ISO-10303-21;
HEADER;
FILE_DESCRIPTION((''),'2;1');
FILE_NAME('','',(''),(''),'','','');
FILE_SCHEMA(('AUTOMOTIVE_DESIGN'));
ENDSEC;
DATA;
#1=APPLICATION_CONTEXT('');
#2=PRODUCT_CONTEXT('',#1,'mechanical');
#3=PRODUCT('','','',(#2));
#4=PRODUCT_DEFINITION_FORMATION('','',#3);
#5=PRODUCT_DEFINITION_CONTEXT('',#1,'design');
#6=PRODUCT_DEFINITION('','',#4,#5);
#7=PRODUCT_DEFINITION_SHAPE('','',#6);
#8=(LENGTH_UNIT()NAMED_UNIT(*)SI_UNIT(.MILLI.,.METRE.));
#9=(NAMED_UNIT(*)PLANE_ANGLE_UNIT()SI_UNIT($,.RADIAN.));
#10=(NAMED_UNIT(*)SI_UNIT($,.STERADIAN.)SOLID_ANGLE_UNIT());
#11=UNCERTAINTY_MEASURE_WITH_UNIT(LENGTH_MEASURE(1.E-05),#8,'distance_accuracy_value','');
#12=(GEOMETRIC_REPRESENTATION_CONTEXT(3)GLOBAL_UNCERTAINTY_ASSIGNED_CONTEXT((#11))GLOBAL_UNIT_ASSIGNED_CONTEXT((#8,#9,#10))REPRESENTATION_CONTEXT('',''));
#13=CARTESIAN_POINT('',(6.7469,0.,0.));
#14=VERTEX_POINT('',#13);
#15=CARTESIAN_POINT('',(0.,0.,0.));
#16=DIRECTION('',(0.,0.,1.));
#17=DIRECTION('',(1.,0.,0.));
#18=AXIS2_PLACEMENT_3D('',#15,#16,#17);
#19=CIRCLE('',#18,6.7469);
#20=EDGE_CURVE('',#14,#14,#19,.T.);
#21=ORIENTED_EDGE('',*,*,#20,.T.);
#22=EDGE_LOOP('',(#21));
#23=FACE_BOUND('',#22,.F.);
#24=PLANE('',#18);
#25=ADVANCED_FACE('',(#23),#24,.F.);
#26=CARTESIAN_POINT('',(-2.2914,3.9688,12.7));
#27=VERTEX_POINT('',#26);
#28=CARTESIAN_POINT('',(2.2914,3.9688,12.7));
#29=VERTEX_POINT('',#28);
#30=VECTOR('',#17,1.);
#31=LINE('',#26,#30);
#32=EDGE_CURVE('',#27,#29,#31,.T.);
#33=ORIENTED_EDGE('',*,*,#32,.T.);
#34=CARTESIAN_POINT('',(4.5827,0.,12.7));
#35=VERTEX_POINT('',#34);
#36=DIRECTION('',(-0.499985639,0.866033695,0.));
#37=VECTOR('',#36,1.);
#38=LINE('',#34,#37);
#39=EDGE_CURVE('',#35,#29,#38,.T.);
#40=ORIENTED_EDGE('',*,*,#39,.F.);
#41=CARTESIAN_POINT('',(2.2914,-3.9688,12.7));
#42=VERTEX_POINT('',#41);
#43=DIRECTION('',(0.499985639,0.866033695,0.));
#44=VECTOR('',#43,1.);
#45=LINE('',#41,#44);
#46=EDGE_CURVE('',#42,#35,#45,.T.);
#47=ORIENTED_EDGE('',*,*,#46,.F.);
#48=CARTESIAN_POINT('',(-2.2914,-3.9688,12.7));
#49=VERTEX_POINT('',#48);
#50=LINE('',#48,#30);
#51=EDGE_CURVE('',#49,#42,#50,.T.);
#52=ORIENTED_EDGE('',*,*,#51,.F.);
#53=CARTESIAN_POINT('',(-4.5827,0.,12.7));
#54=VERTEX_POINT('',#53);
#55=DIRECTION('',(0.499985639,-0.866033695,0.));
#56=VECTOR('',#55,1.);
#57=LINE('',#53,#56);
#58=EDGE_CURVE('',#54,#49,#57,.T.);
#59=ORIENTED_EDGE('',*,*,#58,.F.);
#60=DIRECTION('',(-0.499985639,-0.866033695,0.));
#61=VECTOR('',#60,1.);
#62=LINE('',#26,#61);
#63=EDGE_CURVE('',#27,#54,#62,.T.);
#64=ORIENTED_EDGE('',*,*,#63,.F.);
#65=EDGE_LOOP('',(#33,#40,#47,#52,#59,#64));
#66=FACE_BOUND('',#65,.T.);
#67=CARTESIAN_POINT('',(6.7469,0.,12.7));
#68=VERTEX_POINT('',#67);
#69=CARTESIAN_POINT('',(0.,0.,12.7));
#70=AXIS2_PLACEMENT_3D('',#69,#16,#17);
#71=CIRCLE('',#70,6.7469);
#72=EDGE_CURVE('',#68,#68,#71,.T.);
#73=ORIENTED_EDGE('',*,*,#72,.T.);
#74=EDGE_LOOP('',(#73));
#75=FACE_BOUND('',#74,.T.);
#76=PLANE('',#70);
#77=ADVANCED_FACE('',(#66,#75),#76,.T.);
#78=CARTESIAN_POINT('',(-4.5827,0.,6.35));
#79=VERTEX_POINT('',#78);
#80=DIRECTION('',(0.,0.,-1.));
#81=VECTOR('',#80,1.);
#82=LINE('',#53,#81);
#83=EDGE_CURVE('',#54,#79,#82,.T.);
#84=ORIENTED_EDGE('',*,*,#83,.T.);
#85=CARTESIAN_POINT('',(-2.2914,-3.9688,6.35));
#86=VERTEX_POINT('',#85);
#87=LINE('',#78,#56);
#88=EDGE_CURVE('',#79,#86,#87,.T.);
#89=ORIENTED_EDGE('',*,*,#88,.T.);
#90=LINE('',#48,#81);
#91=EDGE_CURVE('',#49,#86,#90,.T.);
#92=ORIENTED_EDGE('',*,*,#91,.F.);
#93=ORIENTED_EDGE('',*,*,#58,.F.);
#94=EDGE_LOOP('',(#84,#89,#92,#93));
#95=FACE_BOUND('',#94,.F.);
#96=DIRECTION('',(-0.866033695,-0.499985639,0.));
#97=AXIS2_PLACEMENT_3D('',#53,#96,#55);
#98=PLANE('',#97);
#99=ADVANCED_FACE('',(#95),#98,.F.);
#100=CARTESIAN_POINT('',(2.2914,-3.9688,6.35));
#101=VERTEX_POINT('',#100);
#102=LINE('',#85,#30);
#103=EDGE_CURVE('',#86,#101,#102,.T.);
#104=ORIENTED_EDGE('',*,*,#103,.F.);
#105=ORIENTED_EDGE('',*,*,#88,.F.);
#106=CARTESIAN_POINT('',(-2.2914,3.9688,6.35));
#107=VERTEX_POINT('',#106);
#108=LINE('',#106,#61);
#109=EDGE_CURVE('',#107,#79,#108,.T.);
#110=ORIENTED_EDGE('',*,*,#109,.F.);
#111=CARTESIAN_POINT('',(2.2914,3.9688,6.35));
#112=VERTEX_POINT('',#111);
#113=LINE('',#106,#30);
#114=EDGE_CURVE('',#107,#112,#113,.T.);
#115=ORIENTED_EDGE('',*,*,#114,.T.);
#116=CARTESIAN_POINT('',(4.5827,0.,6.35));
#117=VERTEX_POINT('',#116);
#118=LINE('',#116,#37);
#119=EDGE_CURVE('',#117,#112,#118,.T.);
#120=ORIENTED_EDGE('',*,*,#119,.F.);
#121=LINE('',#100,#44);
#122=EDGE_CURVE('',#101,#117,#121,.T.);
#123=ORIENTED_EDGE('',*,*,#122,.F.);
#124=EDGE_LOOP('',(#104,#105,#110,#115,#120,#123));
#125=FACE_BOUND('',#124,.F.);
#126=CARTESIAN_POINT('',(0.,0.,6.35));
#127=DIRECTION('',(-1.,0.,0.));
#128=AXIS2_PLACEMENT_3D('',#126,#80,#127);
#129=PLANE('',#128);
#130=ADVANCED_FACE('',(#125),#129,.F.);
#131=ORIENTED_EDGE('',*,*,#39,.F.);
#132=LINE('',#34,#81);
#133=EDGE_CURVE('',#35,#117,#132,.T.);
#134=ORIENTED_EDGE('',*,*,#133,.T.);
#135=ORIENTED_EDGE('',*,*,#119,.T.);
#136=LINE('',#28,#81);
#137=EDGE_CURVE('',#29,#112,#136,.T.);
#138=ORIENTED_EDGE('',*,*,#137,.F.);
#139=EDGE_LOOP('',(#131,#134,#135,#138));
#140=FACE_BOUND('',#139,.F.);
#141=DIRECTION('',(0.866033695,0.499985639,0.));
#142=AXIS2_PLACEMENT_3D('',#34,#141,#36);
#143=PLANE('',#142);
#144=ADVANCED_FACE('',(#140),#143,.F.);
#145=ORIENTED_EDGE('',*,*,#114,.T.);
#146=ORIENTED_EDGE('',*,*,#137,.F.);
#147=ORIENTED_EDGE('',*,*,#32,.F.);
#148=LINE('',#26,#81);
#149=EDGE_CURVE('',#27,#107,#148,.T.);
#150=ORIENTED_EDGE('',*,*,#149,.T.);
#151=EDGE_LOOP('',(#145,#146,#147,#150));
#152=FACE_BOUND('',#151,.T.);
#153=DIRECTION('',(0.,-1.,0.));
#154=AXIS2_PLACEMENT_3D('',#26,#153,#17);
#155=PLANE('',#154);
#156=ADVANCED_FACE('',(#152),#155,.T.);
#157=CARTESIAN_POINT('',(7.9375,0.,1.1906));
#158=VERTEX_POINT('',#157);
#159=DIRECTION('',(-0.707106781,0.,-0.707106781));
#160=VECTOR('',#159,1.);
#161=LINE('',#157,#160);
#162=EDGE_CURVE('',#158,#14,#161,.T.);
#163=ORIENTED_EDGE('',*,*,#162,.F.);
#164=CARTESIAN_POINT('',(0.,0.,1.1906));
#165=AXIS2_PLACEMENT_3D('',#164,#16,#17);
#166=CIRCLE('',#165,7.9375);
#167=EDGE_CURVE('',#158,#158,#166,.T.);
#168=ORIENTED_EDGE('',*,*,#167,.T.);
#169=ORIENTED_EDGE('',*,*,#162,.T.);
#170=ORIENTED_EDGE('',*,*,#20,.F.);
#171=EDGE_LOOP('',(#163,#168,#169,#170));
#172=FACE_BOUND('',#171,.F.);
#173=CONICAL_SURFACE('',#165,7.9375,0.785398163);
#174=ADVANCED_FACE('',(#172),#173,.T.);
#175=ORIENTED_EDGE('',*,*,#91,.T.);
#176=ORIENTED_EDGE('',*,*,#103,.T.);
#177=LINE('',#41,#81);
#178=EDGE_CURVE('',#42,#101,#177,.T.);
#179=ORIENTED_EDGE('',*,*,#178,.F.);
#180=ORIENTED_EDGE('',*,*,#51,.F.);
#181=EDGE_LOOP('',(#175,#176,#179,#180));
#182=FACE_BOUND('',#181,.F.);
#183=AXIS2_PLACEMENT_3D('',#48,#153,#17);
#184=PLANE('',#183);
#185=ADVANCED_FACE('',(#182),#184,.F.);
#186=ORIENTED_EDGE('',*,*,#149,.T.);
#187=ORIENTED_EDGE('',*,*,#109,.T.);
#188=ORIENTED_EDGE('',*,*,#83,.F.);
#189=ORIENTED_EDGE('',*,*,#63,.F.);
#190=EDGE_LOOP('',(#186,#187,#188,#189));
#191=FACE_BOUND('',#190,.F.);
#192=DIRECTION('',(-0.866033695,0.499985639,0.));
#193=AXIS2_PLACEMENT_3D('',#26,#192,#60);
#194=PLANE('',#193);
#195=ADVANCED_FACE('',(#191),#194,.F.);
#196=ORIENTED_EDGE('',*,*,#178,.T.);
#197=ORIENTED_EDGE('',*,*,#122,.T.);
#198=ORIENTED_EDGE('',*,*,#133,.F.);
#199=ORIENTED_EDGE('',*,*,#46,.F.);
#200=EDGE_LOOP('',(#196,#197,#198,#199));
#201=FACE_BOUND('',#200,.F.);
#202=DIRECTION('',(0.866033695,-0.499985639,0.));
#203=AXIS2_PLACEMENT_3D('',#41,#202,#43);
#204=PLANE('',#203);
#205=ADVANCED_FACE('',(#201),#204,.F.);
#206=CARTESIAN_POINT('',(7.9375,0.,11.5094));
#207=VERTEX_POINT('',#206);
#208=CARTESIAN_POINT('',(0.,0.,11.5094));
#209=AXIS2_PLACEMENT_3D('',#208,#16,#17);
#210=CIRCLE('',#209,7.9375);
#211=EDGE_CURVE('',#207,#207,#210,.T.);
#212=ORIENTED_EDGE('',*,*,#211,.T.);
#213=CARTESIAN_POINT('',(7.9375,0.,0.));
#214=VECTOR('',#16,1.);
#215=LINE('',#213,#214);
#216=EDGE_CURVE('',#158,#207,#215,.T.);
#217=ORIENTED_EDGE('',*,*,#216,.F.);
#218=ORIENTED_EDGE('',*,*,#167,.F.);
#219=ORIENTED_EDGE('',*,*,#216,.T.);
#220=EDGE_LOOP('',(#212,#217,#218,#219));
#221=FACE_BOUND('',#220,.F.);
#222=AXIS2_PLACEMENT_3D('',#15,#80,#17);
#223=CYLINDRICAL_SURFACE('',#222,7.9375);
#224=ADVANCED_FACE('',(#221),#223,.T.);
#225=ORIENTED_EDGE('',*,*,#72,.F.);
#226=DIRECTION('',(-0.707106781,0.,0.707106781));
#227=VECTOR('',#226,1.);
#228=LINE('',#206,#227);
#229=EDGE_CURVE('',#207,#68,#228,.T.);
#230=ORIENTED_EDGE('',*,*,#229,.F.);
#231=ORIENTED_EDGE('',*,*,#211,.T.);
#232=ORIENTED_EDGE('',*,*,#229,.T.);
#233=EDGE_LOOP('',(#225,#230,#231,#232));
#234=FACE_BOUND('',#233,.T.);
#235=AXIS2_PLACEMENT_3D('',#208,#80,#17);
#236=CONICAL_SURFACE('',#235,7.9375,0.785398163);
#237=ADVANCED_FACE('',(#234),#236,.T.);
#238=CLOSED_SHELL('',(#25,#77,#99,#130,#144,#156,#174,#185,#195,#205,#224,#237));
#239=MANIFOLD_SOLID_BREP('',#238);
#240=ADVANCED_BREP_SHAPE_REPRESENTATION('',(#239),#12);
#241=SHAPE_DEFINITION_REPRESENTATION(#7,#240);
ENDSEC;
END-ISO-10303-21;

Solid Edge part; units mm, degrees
sketch "Sketch1" plane through (0, 0, 0) normal (0, 0, 1) x (1, 0, 0)
  circle A0 centre (0, 0) radius 7.9375
  dimension "D1" = 15.875
extrude "Protrusion1" add sketch "Sketch1" along normal blind 12.7
chamfer "Chamfer1" distance 1.1906 angle 45 2 edges at (-7.9375, 0, 0) (-7.9375, 0, 12.7)
sketch "Sketch2" plane through (0, 0, 12.7) normal (0, 0, 1) x (1, 0, 0)
  line L0 (-2.2914, 3.9688) -> (2.2914, 3.9688)
  line L1 (4.5827, 0) -> (2.2914, 3.9687)
  line L2 (2.2914, -3.9688) -> (4.5827, 0)
  line L3 (-2.2914, -3.9688) -> (2.2914, -3.9688)
  line L4 (-4.5827, 0) -> (-2.2914, -3.9688)
  line L5 (-2.2914, 3.9687) -> (-4.5827, 0)
  dimension "D1" = 7.9375
extrude "Cutout1" cut sketch "Sketch2" against normal blind 6.35
properties part number "107574"
